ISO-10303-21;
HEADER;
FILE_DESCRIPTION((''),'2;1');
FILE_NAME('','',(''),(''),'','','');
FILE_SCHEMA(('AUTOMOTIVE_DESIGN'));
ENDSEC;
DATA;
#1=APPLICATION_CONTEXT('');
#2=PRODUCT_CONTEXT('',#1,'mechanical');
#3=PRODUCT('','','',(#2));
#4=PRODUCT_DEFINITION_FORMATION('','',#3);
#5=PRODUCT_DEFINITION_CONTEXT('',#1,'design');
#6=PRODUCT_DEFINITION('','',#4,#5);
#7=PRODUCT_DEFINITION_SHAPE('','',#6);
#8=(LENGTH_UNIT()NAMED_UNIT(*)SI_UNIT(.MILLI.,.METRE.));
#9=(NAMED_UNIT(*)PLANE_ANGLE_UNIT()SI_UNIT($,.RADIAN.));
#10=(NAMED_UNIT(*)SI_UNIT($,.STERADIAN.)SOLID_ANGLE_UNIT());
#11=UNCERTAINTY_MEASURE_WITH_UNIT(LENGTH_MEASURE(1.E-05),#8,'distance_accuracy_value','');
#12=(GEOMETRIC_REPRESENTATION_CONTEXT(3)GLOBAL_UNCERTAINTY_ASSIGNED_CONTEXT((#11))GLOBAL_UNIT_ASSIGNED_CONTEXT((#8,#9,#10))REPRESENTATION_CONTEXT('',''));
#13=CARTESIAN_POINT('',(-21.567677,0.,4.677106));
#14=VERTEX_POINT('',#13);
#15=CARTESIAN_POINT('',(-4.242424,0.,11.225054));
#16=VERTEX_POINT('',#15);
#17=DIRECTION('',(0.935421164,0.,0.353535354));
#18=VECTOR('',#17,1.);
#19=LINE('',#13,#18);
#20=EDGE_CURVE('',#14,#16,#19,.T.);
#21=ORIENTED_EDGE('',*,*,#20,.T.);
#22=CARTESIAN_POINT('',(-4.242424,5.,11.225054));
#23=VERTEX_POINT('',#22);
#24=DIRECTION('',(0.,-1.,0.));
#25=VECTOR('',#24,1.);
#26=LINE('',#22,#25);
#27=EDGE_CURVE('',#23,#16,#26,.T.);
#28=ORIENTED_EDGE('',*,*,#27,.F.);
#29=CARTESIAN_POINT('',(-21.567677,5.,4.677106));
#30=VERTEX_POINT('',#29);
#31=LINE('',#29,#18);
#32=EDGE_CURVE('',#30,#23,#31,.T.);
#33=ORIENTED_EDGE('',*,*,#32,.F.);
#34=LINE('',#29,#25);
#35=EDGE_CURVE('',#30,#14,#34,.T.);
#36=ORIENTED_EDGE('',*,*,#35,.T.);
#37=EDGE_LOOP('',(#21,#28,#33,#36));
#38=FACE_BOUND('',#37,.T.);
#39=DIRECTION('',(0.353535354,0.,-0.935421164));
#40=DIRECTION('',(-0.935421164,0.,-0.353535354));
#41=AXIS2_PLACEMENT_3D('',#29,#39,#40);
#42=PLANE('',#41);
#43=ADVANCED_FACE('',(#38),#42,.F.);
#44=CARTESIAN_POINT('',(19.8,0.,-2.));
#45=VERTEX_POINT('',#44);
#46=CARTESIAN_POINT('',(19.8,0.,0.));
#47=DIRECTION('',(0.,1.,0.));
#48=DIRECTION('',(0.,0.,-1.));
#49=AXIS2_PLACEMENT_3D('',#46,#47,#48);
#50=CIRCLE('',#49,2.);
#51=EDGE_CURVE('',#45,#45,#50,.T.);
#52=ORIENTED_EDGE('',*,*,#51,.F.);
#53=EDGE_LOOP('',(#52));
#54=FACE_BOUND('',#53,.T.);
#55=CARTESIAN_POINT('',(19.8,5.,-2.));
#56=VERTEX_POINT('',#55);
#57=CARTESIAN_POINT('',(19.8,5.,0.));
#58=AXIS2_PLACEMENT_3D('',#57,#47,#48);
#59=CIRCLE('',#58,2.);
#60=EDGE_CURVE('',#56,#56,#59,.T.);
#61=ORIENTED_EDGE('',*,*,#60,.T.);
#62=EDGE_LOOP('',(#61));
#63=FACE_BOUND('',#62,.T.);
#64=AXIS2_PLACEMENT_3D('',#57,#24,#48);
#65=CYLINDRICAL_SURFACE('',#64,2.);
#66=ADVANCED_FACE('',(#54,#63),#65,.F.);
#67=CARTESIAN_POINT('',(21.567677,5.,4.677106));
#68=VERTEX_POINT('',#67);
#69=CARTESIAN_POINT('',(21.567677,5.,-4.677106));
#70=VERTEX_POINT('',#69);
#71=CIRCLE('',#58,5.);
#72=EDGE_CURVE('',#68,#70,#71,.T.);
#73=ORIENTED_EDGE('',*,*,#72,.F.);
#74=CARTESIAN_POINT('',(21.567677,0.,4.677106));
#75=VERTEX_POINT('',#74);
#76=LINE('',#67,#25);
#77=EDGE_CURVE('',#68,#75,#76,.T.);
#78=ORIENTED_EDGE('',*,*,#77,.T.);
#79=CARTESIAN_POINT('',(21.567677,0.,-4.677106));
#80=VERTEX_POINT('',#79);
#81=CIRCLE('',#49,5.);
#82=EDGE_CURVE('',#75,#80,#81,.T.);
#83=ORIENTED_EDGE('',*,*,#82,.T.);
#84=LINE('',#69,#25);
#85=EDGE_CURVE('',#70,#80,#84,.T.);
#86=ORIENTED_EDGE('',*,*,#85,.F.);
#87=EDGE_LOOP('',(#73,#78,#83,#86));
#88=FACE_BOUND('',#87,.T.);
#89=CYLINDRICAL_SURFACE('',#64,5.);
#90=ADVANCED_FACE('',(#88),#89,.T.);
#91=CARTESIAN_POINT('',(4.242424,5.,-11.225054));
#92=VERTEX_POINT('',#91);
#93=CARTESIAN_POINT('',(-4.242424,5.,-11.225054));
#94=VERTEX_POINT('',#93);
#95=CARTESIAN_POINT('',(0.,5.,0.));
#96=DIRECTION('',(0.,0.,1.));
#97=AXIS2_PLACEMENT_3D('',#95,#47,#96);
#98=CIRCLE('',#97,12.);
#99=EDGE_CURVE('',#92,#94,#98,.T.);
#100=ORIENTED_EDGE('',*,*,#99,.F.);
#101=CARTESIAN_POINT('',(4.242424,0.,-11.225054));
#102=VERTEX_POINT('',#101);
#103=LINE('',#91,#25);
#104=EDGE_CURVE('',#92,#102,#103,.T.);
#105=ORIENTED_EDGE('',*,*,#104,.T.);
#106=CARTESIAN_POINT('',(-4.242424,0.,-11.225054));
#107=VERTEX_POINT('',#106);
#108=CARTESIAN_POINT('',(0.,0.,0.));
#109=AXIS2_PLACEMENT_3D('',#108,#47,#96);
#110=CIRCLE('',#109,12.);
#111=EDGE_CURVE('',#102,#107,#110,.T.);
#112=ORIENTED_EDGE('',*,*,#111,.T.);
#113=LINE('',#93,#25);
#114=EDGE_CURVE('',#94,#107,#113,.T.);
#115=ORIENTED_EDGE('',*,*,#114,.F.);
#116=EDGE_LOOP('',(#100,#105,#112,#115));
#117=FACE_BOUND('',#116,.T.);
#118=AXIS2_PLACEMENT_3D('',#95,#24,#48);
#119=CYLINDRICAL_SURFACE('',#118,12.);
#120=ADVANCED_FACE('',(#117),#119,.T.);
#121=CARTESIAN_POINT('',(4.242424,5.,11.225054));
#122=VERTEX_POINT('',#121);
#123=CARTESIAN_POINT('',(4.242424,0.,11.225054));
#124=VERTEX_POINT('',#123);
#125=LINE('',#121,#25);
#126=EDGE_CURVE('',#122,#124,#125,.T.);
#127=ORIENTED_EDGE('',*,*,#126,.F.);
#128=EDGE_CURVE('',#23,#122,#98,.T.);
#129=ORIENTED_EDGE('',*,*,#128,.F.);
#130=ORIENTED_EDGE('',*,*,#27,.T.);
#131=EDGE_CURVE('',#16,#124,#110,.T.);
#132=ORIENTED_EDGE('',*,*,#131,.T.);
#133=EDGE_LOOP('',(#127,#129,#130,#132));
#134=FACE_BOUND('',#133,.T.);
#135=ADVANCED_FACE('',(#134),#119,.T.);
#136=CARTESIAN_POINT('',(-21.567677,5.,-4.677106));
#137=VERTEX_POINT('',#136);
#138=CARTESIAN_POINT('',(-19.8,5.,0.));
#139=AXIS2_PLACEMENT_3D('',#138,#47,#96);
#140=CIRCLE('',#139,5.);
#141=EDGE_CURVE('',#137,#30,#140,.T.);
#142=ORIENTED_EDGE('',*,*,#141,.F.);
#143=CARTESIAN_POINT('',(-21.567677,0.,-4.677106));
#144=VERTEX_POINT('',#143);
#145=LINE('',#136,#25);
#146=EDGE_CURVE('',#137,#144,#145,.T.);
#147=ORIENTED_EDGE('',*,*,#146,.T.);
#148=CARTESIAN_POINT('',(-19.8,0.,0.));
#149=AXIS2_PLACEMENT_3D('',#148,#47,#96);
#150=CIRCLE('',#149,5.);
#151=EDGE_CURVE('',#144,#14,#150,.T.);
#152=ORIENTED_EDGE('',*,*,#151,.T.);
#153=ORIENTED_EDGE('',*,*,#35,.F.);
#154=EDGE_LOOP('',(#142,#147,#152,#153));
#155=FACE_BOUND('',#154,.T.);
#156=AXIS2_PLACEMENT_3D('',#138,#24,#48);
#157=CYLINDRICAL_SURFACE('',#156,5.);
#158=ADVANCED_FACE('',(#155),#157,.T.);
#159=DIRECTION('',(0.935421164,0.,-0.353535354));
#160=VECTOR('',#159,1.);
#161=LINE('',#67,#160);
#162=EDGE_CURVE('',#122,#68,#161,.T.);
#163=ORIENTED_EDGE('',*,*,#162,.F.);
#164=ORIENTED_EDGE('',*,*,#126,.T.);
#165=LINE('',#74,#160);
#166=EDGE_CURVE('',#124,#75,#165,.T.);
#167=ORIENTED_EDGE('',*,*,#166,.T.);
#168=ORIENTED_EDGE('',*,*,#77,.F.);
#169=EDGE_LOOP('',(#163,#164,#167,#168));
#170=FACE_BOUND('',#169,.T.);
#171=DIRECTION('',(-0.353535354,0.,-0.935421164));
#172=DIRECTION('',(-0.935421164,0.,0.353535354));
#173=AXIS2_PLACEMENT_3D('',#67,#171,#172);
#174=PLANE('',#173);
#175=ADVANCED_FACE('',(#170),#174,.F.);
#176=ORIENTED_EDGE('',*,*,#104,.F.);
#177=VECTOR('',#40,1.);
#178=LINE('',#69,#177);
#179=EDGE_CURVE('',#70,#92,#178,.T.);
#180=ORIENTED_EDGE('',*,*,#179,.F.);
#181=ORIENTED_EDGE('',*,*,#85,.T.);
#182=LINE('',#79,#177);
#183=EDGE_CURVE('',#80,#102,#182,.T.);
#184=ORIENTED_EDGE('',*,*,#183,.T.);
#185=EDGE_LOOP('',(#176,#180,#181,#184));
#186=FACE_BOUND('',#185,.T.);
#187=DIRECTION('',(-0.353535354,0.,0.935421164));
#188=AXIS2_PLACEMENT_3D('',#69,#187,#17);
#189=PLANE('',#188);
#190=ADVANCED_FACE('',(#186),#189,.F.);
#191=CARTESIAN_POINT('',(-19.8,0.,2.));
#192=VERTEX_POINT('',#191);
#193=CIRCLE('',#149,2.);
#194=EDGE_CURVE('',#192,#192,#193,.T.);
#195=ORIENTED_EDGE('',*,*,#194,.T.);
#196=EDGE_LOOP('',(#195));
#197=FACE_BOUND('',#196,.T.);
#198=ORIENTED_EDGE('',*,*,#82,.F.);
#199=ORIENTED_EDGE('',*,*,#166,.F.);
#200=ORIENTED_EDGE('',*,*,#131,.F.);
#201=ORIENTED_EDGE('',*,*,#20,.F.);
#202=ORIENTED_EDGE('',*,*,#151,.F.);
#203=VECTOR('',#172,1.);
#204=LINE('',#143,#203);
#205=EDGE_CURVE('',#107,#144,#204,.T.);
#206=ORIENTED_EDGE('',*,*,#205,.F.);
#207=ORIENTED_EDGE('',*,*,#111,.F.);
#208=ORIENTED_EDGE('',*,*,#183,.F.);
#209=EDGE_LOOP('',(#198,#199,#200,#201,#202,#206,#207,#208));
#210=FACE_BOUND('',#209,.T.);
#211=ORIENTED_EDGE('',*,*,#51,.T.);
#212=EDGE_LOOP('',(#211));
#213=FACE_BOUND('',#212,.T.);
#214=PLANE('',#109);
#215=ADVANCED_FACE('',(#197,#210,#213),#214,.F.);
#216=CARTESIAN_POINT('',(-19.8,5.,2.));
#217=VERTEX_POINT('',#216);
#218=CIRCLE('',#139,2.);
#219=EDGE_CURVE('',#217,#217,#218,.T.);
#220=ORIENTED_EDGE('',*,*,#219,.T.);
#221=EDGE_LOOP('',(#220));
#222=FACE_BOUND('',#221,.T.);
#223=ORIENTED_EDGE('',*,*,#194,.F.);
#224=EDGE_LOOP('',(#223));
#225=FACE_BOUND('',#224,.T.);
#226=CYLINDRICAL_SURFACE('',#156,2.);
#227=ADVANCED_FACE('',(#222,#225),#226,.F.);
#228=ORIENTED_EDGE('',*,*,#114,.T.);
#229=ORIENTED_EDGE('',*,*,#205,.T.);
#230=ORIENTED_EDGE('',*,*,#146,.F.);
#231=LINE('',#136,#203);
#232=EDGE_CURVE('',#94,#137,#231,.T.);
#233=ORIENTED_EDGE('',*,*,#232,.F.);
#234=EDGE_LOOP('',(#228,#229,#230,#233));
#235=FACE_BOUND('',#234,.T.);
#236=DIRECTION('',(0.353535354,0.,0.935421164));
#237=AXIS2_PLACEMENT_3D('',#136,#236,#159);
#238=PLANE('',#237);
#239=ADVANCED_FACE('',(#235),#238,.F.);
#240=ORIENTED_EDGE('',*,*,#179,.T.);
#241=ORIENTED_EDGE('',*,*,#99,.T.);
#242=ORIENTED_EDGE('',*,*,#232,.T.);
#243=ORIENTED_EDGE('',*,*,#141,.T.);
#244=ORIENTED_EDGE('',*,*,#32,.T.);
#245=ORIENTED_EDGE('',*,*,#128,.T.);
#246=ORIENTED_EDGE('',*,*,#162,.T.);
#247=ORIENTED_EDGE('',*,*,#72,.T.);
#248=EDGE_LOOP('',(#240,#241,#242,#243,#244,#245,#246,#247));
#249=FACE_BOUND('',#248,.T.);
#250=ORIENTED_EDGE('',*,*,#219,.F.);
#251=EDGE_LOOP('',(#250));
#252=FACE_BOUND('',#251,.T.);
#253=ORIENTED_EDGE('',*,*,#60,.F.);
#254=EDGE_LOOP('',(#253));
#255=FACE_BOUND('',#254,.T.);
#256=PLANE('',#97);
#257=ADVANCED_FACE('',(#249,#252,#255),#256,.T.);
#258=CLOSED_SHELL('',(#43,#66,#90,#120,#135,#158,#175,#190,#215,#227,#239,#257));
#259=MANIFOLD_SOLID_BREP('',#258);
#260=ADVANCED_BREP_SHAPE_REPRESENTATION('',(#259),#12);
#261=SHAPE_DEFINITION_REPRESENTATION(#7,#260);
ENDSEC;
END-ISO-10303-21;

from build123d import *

# Parameters (mm, degrees)
SKETCH1_R           = 2
BOSS_EXTRUDE2_DEPTH = 5


with BuildPart() as part:
    # Sketch1 → Boss-Extrude2 (new body)
    with BuildSketch(Plane(origin=(0, 0, 0), x_dir=(1, 0, 0), z_dir=(0, 1, 0))):
        with BuildLine():
            Line((-21.567676768, 4.677105819), (-4.242424242, 11.225053966))
            ThreePointArc((-4.242424242, 11.225053966), (0, 12), (4.242424242, 11.225053966))
            Line((4.242424242, 11.225053966), (21.567676768, 4.677105819))
            ThreePointArc((21.567676768, 4.677105819), (24.8, 0), (21.567676768, -4.677105819))
            Line((21.567676768, -4.677105819), (4.242424242, -11.225053966))
            ThreePointArc((4.242424242, -11.225053966), (0, -12), (-4.242424242, -11.225053966))
            Line((-4.242424242, -11.225053966), (-21.567676768, -4.677105819))
            ThreePointArc((-21.567676768, -4.677105819), (-24.8, 0), (-21.567676768, 4.677105819))
        make_face()
        with Locations(Location((-19.8, 0, 0), (0, 0, 270))):
            Circle(SKETCH1_R, mode=Mode.SUBTRACT)
        with Locations(Location((19.8, 0, 0), (0, 0, 90))):
            Circle(SKETCH1_R, mode=Mode.SUBTRACT)
    extrude(amount=BOSS_EXTRUDE2_DEPTH)


solid = part.part
